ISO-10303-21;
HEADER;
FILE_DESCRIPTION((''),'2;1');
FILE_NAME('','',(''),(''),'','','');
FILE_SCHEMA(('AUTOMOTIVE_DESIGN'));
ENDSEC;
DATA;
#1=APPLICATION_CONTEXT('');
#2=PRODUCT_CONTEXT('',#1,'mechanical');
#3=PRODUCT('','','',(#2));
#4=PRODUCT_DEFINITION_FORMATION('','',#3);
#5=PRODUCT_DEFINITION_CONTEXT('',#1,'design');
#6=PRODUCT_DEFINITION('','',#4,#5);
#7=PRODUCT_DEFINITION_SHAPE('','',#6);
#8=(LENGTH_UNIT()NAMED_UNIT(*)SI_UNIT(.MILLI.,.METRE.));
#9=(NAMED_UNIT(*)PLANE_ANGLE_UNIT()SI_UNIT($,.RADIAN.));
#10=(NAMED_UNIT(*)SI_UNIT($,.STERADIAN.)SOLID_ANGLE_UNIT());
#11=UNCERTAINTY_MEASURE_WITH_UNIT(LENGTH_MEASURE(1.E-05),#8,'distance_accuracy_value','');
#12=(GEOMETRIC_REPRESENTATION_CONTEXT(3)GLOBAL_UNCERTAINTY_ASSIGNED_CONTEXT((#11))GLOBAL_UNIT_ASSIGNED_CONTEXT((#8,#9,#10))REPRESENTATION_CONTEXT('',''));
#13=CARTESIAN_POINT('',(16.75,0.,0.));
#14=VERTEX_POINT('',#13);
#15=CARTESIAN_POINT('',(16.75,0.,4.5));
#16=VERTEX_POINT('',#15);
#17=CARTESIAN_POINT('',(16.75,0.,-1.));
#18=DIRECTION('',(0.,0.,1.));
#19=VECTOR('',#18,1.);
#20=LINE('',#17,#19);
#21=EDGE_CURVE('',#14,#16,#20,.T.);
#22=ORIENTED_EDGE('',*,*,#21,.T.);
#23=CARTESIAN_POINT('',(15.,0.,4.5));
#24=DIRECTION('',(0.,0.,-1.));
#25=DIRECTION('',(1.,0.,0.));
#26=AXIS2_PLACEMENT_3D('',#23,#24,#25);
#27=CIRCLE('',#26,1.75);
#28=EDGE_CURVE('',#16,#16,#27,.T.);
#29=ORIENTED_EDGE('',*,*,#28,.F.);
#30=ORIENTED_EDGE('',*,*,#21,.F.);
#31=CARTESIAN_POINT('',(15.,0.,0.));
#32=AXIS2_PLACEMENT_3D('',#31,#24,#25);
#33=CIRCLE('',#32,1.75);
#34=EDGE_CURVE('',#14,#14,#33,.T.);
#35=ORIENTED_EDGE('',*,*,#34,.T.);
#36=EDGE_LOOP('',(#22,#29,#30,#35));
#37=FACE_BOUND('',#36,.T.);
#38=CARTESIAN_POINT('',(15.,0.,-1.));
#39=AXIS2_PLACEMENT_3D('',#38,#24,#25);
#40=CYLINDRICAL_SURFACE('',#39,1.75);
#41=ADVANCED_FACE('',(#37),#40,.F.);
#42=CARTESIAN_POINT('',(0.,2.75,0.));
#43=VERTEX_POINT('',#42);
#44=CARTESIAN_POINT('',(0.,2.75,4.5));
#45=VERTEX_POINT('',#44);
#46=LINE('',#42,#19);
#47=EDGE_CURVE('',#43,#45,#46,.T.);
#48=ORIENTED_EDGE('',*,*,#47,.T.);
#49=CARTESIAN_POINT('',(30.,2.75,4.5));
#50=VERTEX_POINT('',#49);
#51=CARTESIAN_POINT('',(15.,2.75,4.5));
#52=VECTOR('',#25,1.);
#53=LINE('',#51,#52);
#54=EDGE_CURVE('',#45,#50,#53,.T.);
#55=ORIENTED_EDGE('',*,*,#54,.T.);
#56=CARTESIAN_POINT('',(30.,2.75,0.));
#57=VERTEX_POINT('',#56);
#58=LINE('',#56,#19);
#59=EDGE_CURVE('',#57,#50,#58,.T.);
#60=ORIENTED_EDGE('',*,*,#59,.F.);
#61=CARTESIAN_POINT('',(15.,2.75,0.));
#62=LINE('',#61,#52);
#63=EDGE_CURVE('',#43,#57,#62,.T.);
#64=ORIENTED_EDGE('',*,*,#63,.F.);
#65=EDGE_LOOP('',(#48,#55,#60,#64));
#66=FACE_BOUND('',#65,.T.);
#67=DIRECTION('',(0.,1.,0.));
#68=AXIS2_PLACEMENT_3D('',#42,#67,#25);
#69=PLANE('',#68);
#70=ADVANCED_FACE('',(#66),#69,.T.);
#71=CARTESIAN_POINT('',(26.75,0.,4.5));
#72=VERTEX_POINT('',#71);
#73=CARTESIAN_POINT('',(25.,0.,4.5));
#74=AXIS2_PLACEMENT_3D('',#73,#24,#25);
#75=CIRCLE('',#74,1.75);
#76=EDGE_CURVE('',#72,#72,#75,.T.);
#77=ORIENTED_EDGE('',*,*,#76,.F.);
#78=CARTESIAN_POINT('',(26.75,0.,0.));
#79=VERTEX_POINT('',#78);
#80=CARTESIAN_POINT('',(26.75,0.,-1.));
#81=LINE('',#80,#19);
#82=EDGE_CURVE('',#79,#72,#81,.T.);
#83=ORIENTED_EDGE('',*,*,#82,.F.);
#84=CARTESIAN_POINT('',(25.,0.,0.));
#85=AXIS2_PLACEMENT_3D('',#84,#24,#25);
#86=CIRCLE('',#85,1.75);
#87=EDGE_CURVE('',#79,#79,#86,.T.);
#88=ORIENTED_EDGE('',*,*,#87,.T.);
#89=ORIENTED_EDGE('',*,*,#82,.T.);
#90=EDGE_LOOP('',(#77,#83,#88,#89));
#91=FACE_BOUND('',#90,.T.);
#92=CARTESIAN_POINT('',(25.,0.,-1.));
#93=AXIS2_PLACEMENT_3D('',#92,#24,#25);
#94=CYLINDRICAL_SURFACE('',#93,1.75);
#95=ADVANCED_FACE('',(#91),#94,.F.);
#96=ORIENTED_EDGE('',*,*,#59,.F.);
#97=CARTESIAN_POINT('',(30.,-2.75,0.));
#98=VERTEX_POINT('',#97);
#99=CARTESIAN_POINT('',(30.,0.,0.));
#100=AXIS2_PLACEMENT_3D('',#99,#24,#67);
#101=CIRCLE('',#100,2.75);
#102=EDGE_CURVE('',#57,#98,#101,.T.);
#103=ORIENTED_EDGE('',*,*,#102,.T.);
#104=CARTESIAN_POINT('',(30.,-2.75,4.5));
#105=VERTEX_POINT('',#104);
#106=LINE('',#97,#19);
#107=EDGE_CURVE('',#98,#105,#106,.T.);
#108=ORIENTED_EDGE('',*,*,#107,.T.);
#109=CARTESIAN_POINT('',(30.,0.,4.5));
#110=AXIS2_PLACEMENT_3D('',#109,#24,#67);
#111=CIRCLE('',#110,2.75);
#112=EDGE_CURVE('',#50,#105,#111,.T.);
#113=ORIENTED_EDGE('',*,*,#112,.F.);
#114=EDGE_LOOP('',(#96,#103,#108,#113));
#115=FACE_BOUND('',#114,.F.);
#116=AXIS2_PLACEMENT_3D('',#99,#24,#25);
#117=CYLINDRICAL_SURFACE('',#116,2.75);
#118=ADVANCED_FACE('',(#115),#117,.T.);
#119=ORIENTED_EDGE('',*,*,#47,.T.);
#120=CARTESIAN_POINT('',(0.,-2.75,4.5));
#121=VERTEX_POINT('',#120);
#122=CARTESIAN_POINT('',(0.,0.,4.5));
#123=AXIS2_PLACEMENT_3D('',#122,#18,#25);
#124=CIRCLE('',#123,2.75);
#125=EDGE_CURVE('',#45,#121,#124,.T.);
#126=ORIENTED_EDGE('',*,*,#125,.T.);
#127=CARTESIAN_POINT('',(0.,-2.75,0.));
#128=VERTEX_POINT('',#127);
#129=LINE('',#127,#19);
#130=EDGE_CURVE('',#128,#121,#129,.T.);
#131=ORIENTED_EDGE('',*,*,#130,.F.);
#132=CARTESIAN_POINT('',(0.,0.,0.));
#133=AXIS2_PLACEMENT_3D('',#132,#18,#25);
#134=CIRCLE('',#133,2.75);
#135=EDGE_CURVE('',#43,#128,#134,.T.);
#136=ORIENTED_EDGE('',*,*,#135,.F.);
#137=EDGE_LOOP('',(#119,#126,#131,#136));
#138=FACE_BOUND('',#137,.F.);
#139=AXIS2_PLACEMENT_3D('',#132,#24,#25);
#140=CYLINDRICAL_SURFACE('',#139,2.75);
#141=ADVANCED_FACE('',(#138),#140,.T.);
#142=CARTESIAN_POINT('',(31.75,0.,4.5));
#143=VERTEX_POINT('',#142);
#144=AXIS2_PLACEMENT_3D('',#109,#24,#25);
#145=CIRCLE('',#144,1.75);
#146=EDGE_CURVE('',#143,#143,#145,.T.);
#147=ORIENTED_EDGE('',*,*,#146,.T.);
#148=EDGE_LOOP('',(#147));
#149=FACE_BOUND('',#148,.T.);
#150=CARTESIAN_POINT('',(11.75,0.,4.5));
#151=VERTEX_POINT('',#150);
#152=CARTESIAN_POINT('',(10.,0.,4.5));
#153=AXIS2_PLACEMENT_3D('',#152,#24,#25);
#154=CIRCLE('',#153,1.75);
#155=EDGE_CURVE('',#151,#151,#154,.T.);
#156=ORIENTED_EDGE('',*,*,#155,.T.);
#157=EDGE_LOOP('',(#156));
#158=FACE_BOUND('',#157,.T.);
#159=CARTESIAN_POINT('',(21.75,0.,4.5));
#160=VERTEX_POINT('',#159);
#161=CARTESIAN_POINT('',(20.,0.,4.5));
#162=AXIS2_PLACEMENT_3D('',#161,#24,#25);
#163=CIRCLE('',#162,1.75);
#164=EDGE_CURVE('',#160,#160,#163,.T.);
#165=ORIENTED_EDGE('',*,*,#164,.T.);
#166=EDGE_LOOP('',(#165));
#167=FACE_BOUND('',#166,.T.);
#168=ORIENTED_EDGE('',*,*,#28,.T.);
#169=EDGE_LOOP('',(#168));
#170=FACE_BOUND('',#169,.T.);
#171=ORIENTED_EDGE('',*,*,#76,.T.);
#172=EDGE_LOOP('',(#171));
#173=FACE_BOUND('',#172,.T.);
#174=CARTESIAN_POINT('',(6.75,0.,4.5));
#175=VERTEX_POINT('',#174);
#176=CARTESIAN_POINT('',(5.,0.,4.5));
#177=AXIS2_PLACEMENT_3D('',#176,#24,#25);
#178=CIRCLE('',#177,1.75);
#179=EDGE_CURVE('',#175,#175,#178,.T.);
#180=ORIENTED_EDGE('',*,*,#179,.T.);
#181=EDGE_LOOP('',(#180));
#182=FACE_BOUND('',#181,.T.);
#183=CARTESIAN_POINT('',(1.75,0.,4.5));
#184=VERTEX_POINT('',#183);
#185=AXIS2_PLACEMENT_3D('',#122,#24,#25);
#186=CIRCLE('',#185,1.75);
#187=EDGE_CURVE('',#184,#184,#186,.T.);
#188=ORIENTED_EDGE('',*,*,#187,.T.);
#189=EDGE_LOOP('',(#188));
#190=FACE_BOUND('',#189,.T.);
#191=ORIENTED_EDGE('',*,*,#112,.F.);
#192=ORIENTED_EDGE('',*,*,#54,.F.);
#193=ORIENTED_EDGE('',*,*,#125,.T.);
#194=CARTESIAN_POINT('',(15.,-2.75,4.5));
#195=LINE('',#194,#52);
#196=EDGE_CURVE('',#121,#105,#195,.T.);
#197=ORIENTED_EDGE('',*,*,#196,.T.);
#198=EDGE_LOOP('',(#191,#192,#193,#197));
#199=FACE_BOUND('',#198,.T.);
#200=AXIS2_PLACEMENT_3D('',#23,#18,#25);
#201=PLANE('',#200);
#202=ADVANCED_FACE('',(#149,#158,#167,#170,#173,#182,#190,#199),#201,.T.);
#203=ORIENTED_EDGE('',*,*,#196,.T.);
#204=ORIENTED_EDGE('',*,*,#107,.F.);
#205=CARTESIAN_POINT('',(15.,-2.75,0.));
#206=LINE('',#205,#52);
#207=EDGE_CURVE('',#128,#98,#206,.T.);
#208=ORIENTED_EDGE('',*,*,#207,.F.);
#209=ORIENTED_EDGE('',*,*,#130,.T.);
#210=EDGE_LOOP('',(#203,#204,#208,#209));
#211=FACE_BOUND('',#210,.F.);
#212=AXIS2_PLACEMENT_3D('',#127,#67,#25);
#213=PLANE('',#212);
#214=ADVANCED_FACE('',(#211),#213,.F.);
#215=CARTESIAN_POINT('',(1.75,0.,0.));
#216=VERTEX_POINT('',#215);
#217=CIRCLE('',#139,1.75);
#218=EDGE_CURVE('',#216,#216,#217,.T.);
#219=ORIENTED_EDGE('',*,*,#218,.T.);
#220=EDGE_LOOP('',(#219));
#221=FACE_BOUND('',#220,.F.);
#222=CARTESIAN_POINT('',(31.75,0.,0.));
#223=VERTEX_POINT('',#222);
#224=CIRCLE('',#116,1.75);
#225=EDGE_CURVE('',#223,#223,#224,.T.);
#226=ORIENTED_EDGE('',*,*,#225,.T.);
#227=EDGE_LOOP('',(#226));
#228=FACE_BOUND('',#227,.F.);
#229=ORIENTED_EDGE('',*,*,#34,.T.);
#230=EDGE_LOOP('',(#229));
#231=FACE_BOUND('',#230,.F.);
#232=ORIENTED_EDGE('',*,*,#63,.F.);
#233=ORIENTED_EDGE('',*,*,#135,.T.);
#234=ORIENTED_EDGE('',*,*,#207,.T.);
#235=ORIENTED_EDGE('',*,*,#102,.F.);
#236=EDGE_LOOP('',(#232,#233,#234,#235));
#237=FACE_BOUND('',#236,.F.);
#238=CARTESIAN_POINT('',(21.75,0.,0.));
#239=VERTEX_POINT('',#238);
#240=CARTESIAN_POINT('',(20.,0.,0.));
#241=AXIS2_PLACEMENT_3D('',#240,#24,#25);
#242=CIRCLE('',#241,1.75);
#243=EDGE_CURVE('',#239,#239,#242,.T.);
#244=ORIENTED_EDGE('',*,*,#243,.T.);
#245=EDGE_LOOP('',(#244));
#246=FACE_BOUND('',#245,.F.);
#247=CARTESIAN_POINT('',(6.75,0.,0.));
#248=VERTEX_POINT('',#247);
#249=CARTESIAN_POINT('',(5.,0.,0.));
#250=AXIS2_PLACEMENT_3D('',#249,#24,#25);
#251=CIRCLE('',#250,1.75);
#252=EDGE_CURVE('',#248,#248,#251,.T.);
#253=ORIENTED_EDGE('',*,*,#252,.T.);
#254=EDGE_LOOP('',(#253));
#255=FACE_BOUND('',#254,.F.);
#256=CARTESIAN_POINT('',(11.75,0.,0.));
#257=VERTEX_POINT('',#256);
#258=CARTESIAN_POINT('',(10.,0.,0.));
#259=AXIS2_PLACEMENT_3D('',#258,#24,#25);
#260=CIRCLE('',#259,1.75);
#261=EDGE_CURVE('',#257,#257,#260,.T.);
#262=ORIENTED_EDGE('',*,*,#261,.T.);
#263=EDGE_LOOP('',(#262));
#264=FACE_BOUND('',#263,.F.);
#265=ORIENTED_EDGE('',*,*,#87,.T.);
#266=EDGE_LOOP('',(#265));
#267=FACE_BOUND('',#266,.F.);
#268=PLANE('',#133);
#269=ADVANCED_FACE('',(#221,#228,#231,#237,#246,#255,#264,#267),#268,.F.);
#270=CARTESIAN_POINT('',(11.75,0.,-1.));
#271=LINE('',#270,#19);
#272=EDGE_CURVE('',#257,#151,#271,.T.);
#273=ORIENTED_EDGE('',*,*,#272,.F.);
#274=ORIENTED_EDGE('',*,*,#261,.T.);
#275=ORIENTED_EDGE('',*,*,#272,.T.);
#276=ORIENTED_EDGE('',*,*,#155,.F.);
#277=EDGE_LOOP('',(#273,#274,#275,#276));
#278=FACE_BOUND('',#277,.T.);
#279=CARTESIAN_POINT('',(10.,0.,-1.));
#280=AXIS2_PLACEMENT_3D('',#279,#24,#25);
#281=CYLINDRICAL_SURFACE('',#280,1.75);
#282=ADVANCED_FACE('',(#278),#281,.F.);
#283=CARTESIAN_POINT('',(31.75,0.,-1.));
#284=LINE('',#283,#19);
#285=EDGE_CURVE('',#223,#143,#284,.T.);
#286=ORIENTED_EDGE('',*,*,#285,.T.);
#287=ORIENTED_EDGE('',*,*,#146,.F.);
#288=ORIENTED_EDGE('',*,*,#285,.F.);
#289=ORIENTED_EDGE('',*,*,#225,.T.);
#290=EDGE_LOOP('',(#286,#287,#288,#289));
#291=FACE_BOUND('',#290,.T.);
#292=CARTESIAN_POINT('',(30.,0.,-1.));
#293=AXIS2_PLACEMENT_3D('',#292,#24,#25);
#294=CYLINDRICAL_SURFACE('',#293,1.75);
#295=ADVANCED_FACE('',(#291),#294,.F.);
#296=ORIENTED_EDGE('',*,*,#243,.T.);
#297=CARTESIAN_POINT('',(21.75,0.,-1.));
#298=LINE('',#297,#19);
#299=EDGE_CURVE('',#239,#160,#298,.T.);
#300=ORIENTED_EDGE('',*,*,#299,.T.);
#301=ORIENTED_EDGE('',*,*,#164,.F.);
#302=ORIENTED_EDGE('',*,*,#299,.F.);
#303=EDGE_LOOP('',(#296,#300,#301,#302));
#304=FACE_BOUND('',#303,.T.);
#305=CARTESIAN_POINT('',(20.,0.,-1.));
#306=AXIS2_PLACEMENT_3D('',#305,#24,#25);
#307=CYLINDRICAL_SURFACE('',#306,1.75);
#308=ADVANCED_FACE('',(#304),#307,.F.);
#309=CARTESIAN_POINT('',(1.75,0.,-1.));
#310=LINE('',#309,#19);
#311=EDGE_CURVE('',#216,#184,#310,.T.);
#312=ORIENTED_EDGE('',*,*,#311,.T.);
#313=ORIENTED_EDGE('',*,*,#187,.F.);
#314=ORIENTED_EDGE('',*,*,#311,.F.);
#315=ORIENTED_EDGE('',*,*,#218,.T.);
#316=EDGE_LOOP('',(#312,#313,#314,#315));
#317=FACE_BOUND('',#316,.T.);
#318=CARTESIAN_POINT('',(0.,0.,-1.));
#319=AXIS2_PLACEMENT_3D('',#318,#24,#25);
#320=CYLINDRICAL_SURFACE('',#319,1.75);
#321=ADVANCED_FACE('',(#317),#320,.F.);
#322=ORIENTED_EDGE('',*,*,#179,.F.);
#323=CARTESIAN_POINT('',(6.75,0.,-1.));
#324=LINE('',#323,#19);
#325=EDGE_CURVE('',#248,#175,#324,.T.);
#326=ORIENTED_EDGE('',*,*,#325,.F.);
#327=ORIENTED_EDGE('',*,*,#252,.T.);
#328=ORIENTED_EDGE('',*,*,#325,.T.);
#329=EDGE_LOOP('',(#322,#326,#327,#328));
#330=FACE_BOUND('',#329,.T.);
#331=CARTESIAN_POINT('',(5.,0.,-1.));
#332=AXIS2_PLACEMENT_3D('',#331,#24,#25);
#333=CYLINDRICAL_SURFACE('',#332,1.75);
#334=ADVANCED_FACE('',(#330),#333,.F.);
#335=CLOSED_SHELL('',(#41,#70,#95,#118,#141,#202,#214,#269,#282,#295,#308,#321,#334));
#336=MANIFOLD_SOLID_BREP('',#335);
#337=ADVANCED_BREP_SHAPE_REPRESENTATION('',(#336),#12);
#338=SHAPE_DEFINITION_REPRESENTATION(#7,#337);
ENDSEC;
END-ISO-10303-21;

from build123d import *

# Parameters (mm, degrees)
CYLINDER002_R     = 1.75
CYLINDER002_DEPTH = 6.5
ARRAY_X_COUNT     = 7
ARRAY_X_PITCH     = 5
CYLINDER001_R     = 2.75
CYLINDER001_DEPTH = 4.5
BOX_W             = 30
BOX_H             = 5.5
BOX_DEPTH         = 4.5
CYLINDER_R        = 2.75
CYLINDER_DEPTH    = 4.5


with BuildPart() as array:
    # Cylinder002 → Cylinder002 (new body)
    with BuildSketch(Plane.XY.offset(-1)):
        Circle(CYLINDER002_R)
    extrude(amount=CYLINDER002_DEPTH)

    # Array X: Array ×7


with BuildPart() as array_1:
    add(array.part)
    with Locations(*[(i * ARRAY_X_PITCH, 0, 0) for i in range(1, ARRAY_X_COUNT)]):
        add(array.part)


with BuildPart() as cylinder001:
    # Cylinder001 → Cylinder001 (new body)
    with BuildSketch(Plane(origin=(30, 0, 0), x_dir=(1, 0, 0), z_dir=(0, 0, 1))):
        Circle(CYLINDER001_R)
    extrude(amount=CYLINDER001_DEPTH)


with BuildPart() as cube:
    # Box → Box (new body)
    with BuildSketch(Plane(origin=(0, -2.75, 0), x_dir=(1, 0, 0), z_dir=(0, 0, 1))):
        with Locations((15, 2.75)):
            Rectangle(BOX_W, BOX_H)
    extrude(amount=BOX_DEPTH)


with BuildPart() as cut:
    # Cylinder → Cylinder (new body)
    with BuildSketch(Plane.XY):
        Circle(CYLINDER_R)
    extrude(amount=CYLINDER_DEPTH)

    # Fusion: union Cylinder001, Cube
    add(cylinder001.part)
    add(cube.part)

    # Cut: cut Array
    add(array_1.part, mode=Mode.SUBTRACT)


solid = cut.part
